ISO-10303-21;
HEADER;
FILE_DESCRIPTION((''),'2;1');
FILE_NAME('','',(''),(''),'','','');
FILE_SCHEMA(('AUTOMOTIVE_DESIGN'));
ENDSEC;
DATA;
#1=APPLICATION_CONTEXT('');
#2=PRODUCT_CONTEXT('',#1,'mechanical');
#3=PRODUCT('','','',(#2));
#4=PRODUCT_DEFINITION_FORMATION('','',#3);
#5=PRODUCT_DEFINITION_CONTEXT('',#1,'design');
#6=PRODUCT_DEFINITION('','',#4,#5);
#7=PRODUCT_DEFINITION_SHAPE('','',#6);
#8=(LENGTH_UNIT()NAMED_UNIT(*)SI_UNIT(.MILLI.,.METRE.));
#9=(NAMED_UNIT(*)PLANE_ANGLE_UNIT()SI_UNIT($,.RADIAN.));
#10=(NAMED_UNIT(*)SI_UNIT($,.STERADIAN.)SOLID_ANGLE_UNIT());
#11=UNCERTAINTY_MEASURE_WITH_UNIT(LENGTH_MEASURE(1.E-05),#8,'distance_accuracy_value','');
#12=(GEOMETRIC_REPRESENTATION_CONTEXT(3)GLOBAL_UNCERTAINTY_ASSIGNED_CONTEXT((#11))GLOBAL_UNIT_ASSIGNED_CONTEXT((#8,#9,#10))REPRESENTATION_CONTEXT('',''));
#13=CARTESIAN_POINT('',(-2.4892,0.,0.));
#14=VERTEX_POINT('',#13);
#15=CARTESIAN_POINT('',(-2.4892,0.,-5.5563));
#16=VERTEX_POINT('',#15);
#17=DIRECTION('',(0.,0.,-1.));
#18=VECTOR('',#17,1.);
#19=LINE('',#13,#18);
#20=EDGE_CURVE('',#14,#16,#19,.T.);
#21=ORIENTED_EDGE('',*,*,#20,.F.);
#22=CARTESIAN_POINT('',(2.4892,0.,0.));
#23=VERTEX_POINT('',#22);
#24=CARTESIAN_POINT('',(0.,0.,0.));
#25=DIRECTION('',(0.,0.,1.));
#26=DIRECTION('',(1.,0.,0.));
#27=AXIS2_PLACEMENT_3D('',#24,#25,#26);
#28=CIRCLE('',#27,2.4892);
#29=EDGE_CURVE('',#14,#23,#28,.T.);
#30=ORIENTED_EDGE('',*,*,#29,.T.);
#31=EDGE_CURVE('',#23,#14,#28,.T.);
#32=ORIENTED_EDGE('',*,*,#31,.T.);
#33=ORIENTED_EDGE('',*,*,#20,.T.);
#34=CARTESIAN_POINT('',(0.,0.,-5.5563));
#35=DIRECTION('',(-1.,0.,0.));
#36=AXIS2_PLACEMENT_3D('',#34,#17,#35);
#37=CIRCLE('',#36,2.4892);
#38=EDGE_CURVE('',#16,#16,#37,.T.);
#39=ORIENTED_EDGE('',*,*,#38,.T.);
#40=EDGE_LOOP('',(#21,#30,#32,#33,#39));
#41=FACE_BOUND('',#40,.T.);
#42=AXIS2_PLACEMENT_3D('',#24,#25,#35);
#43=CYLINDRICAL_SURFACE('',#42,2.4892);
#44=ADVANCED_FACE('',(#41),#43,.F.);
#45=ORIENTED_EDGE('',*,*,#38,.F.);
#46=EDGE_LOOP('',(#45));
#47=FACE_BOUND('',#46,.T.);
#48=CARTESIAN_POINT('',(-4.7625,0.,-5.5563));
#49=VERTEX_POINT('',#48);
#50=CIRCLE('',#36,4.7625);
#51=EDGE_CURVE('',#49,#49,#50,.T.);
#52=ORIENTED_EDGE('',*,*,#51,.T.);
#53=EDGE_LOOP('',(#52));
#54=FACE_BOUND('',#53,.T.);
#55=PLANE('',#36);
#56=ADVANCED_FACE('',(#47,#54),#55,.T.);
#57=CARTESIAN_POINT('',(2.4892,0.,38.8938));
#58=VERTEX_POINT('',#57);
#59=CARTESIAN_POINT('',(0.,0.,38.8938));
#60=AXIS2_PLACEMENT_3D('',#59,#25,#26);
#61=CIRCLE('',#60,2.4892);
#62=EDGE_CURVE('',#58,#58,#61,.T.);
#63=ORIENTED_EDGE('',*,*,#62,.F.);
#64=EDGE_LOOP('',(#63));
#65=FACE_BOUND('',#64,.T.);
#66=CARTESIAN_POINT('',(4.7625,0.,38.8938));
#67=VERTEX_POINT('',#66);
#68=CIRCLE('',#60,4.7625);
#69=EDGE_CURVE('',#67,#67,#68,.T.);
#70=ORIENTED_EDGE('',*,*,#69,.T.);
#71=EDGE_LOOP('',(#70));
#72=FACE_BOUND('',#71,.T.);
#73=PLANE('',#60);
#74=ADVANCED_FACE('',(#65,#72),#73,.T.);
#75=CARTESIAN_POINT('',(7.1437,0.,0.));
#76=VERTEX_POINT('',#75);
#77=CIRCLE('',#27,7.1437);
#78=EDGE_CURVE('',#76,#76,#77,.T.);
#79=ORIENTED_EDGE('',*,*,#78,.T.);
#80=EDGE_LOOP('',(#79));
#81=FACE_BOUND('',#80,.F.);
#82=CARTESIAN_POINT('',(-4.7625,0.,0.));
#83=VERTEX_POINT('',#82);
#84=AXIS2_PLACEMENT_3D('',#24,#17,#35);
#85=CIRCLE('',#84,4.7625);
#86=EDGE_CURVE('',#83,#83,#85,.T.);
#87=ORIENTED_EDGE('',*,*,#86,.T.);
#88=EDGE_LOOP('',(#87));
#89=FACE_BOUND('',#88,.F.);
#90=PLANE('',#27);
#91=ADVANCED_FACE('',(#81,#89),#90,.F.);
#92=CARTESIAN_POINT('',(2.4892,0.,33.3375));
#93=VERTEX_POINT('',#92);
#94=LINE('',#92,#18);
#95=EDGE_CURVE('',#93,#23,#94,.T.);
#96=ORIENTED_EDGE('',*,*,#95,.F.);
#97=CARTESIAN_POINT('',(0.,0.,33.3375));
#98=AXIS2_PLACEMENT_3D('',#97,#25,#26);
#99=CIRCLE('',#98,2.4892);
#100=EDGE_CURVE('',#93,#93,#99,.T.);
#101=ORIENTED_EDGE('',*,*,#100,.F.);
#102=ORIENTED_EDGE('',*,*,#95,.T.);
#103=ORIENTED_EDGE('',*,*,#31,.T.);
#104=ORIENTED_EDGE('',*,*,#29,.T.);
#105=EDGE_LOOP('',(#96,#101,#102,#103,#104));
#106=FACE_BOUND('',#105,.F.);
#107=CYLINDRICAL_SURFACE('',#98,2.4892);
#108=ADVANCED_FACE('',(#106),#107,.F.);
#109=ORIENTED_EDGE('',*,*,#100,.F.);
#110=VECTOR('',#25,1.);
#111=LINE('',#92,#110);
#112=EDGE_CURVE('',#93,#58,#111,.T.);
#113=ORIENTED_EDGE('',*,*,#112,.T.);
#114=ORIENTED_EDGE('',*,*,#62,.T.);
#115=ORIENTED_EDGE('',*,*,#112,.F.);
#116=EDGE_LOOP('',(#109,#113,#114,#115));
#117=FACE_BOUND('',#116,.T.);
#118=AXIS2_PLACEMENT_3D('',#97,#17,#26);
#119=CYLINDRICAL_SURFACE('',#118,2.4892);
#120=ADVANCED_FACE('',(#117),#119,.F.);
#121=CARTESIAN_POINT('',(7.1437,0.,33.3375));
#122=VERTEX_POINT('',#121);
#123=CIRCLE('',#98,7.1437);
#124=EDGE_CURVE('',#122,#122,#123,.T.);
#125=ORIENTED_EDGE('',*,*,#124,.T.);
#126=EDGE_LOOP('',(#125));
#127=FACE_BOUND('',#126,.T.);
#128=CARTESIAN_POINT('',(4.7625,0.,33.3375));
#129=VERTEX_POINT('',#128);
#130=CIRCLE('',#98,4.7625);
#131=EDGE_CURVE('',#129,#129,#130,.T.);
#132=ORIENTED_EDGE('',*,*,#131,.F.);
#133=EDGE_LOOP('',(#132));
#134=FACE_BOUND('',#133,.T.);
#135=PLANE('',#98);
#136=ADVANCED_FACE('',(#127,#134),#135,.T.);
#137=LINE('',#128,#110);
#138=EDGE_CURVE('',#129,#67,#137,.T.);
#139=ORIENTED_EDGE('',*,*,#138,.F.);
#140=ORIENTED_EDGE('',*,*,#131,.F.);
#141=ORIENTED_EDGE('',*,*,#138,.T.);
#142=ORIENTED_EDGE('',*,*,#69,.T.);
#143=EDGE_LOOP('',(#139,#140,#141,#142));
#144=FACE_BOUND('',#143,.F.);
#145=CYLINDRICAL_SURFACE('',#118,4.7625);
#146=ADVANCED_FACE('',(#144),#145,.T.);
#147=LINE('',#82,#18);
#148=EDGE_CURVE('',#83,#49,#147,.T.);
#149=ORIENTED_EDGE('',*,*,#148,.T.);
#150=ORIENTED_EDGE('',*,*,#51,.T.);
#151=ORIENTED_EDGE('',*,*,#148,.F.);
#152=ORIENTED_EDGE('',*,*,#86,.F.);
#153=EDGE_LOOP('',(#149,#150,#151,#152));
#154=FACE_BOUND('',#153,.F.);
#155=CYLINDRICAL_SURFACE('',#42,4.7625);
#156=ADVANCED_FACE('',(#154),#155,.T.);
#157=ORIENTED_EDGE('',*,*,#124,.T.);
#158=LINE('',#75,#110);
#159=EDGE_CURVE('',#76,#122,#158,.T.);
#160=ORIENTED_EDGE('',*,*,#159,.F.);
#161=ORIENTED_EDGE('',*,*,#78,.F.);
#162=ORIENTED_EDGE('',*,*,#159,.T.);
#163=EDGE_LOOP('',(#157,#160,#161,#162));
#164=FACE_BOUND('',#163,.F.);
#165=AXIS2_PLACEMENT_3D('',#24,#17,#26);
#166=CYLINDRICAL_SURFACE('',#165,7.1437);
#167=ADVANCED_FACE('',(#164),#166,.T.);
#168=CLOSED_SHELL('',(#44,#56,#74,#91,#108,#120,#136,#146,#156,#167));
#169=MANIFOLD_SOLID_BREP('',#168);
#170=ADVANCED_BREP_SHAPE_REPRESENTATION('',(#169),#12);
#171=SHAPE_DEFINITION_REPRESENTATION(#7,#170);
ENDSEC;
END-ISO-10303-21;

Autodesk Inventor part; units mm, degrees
ref_plane "YZ Plane" through (0, 0, 0) normal (1, 0, 0) x (0, 1, 0)
ref_plane "XZ Plane" through (0, 0, 0) normal (0, 1, 0) x (-1, 0, 0)
sketch "Sketch1" plane through (0, 0, 0) normal (0, 0, 1) x (1, 0, 0)
  circle A0 centre (0, 0) radius 7.1437
  dimension "d0" = 14.2875
extrude "Extrusion1" add sketch "Sketch1" along normal blind 33.3375
ref_plane "Work Plane1" through (0, 0, 6.35) normal (0, 0, 1) x (1, 0, 0)
sketch "Sketch6" plane through (0, 0, 33.3375) normal (0, 0, 1) x (1, 0, 0)
  circle A0 centre (0, 0) radius 2.4892
  dimension "d28" = 4.9784
extrude "Extrusion3" cut sketch "Sketch6" against normal through all
sketch "Sketch7" plane through (0, 0, 33.3375) normal (0, 0, 1) x (1, 0, 0)
  circle A0 centre (0, 0) radius 4.7625
  circle A1 centre (0, 0) radius 2.4892
  dimension "d31" = 9.525
  dimension "d32" = 4.9784
extrude "Extrusion4" add sketch "Sketch7" along normal blind 5.5563
sketch "Sketch8" plane through (0, 0, 0) normal (0, 0, -1) x (-1, 0, 0)
  circle A0 centre (0, 0) radius 2.4892 projected
  circle A1 centre (0, 0) radius 4.7625 projected
extrude "Extrusion5" add sketch "Sketch8" along normal blind 5.5563
ref_plane "Work Plane2" through (0, 0, 16.6688) normal (0, 0, 1) x (1, 0, 0)
properties part number "RollerSpacer2(Bearing)"
